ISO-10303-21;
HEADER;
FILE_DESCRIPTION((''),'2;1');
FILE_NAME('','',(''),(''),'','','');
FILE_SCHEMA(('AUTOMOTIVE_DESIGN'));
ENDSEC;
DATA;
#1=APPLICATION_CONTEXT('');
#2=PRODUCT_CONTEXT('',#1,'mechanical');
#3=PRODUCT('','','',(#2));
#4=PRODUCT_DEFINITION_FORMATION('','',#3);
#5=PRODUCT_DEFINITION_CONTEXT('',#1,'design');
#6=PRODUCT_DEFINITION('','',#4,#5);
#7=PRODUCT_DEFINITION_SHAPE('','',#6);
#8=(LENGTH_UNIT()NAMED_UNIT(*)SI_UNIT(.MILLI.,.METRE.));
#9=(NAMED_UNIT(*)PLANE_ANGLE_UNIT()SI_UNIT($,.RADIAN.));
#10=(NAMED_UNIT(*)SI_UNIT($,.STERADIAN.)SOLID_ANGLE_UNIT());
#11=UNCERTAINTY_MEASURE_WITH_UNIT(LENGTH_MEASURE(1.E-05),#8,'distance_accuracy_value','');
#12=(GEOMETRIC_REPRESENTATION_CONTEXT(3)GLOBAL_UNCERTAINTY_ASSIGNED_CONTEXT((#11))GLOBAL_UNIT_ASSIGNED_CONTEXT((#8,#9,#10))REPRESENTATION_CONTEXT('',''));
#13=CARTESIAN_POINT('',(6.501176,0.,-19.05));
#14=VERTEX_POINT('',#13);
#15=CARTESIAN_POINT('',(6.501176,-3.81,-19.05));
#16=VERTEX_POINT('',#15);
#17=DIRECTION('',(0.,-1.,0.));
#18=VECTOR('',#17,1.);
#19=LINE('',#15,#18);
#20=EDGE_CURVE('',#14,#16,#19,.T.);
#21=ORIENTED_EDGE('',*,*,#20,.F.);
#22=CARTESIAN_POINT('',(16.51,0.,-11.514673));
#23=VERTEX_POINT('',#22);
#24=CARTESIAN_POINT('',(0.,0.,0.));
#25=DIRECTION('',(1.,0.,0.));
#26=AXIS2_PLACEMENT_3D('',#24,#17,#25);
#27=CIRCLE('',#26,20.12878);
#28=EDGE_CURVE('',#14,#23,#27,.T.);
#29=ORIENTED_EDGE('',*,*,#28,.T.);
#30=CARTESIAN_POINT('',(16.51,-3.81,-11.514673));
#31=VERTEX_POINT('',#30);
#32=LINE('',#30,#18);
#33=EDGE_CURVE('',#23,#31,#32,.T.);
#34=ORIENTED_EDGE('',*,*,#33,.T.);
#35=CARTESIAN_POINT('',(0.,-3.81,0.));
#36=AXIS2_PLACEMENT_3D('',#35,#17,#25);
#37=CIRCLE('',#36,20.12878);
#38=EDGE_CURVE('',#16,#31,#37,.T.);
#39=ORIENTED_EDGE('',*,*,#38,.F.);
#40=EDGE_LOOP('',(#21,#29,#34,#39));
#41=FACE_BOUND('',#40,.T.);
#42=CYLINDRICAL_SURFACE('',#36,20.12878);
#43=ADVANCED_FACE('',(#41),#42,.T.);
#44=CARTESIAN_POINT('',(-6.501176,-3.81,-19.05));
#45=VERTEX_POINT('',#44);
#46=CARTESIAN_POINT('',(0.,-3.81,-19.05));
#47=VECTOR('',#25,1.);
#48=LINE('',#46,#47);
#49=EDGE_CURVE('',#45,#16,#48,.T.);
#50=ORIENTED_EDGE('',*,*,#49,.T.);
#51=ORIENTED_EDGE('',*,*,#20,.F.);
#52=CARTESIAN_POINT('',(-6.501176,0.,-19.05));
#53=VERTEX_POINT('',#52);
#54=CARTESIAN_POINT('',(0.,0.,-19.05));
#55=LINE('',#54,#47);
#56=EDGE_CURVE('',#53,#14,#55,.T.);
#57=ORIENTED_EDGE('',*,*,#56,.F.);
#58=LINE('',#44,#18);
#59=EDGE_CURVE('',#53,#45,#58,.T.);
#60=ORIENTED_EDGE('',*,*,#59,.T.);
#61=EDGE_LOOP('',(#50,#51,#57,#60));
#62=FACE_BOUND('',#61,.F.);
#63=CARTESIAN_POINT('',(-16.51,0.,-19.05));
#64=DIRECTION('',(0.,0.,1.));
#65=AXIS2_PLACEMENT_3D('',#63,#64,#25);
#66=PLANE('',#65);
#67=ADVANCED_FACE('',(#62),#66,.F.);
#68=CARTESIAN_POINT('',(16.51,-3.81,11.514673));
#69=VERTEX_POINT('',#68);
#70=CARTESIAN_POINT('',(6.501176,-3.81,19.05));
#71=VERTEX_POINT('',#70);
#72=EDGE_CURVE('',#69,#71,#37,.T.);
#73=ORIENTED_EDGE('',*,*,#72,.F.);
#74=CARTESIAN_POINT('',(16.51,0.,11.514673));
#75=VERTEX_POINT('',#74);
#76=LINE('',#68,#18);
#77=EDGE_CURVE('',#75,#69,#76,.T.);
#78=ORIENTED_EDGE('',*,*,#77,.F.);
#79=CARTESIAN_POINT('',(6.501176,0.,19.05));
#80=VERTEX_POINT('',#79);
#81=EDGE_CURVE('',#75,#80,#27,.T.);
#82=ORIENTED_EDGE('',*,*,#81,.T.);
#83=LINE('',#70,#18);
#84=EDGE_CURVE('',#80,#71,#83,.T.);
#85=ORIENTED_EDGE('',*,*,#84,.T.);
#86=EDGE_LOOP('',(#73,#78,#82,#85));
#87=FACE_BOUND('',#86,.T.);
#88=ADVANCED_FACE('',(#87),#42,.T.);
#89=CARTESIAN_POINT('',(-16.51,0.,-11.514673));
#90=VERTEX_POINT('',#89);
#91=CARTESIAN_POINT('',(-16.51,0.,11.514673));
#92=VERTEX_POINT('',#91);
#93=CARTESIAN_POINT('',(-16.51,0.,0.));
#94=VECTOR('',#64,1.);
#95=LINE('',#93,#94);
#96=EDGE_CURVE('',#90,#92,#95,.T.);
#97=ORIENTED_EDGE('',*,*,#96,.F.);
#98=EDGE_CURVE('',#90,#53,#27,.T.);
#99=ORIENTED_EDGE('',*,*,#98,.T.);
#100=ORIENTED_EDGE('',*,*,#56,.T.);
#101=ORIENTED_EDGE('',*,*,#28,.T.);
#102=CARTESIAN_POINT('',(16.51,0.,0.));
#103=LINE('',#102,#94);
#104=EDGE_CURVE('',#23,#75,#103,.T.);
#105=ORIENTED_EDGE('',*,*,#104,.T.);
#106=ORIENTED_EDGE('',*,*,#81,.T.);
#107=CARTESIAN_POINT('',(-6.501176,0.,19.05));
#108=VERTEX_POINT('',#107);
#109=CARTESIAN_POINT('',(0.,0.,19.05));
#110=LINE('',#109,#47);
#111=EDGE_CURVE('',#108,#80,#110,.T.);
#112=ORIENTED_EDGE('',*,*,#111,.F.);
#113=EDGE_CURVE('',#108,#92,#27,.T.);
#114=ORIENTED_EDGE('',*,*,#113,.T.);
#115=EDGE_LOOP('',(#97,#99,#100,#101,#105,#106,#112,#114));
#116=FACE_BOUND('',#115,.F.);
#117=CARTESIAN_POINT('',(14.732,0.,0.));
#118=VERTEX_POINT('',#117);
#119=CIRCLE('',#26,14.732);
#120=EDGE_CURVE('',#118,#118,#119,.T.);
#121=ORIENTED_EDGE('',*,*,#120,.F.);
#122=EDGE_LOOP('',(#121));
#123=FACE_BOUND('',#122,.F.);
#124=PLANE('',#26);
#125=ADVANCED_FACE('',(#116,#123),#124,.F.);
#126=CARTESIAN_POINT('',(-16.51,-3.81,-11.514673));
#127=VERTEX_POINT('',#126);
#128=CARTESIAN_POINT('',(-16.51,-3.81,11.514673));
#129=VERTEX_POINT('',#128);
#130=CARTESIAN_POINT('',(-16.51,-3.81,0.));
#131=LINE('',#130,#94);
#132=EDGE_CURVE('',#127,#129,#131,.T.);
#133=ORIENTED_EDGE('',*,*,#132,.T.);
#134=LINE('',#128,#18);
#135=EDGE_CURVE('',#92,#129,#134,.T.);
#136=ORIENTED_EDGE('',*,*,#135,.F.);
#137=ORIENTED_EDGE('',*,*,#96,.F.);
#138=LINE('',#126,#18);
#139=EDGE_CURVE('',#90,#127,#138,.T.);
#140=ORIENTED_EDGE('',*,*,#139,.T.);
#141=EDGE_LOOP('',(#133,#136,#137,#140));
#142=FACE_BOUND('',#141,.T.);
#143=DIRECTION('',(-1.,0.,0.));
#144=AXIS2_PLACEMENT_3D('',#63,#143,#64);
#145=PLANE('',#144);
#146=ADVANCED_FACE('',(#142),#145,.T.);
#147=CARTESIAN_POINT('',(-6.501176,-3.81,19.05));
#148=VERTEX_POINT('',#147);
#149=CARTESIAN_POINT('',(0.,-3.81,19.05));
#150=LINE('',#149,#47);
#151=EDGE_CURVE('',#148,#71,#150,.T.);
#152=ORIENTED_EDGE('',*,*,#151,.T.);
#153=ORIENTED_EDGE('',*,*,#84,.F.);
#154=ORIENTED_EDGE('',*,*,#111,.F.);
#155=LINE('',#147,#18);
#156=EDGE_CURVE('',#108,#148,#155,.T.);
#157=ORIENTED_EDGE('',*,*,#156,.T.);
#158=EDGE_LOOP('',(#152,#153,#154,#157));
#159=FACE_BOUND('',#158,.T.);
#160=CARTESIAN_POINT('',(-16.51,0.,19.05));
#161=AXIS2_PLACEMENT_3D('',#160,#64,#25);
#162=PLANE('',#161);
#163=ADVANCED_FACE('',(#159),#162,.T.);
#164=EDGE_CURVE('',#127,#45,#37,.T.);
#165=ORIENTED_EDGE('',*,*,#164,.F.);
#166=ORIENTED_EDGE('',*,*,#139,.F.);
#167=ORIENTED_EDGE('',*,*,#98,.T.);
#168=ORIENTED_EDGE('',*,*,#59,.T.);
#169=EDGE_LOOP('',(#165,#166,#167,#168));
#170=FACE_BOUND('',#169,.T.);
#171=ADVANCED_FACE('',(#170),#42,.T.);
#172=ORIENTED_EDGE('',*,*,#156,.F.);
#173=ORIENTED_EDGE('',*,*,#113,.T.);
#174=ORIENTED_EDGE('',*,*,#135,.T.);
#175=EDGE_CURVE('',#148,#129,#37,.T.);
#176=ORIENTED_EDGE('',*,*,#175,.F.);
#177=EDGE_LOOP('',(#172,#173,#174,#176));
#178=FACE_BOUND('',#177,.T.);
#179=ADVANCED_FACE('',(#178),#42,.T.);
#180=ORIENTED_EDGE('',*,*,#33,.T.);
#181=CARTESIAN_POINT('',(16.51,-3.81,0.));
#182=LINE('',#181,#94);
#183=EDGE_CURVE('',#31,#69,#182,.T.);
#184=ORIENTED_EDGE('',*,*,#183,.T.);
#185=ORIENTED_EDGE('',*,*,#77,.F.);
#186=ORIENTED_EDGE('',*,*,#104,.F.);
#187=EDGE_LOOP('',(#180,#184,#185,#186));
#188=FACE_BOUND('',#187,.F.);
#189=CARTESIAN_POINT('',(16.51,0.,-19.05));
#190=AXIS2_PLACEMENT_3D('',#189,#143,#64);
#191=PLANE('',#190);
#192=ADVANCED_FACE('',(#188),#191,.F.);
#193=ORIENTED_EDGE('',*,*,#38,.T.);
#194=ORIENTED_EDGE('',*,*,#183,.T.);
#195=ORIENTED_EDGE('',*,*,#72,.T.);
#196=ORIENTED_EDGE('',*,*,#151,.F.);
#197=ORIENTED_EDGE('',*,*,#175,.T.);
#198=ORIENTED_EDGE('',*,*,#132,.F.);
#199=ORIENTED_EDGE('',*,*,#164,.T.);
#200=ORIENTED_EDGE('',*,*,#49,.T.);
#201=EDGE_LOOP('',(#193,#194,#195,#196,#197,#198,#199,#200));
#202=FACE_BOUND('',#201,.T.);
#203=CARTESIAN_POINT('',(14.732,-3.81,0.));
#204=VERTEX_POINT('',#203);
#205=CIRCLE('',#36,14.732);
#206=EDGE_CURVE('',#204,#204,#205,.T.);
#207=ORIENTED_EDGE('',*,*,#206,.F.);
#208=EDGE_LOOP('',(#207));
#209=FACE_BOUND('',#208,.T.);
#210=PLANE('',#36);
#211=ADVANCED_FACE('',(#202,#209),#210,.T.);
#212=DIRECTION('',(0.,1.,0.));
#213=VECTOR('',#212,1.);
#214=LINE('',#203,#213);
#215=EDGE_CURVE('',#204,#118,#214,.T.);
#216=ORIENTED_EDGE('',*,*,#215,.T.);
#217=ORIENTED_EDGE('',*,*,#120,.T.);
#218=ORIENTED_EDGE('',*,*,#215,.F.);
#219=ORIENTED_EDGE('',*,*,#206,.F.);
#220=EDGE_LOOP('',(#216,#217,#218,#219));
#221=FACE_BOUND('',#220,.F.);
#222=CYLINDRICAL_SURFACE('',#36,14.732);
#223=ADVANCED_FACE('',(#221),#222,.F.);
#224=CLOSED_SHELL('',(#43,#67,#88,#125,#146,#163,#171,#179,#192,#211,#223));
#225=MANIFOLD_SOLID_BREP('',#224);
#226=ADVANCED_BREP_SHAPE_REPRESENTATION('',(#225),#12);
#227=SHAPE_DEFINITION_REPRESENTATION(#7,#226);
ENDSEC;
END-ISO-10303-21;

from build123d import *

# Parameters (mm, degrees)
F0_W     = 33.02
F0_H     = 38.1
F1_DEPTH = 3.81
F2_R     = 25.20878
F2_R_2   = 20.12878
F3_DEPTH = 25.4
F4_R     = 14.732
F5_DEPTH = 25.4


with BuildPart() as f1:
    # F0 (on Front) → F1 (new body)
    with BuildSketch(Plane.XZ):
        Rectangle(F0_W, F0_H)
    extrude(amount=F1_DEPTH)

    # F2 (on face) → F3 (cut)
    with BuildSketch(Plane.XZ.offset(3.81)):
        Circle(F2_R)
        Circle(F2_R_2, mode=Mode.SUBTRACT)
    extrude(amount=-F3_DEPTH, mode=Mode.SUBTRACT)

    # F4 (on face) → F5 (cut)
    with BuildSketch(Plane.XZ.offset(3.81)):
        Circle(F4_R)
    extrude(amount=-F5_DEPTH, mode=Mode.SUBTRACT)


solid = f1.part
